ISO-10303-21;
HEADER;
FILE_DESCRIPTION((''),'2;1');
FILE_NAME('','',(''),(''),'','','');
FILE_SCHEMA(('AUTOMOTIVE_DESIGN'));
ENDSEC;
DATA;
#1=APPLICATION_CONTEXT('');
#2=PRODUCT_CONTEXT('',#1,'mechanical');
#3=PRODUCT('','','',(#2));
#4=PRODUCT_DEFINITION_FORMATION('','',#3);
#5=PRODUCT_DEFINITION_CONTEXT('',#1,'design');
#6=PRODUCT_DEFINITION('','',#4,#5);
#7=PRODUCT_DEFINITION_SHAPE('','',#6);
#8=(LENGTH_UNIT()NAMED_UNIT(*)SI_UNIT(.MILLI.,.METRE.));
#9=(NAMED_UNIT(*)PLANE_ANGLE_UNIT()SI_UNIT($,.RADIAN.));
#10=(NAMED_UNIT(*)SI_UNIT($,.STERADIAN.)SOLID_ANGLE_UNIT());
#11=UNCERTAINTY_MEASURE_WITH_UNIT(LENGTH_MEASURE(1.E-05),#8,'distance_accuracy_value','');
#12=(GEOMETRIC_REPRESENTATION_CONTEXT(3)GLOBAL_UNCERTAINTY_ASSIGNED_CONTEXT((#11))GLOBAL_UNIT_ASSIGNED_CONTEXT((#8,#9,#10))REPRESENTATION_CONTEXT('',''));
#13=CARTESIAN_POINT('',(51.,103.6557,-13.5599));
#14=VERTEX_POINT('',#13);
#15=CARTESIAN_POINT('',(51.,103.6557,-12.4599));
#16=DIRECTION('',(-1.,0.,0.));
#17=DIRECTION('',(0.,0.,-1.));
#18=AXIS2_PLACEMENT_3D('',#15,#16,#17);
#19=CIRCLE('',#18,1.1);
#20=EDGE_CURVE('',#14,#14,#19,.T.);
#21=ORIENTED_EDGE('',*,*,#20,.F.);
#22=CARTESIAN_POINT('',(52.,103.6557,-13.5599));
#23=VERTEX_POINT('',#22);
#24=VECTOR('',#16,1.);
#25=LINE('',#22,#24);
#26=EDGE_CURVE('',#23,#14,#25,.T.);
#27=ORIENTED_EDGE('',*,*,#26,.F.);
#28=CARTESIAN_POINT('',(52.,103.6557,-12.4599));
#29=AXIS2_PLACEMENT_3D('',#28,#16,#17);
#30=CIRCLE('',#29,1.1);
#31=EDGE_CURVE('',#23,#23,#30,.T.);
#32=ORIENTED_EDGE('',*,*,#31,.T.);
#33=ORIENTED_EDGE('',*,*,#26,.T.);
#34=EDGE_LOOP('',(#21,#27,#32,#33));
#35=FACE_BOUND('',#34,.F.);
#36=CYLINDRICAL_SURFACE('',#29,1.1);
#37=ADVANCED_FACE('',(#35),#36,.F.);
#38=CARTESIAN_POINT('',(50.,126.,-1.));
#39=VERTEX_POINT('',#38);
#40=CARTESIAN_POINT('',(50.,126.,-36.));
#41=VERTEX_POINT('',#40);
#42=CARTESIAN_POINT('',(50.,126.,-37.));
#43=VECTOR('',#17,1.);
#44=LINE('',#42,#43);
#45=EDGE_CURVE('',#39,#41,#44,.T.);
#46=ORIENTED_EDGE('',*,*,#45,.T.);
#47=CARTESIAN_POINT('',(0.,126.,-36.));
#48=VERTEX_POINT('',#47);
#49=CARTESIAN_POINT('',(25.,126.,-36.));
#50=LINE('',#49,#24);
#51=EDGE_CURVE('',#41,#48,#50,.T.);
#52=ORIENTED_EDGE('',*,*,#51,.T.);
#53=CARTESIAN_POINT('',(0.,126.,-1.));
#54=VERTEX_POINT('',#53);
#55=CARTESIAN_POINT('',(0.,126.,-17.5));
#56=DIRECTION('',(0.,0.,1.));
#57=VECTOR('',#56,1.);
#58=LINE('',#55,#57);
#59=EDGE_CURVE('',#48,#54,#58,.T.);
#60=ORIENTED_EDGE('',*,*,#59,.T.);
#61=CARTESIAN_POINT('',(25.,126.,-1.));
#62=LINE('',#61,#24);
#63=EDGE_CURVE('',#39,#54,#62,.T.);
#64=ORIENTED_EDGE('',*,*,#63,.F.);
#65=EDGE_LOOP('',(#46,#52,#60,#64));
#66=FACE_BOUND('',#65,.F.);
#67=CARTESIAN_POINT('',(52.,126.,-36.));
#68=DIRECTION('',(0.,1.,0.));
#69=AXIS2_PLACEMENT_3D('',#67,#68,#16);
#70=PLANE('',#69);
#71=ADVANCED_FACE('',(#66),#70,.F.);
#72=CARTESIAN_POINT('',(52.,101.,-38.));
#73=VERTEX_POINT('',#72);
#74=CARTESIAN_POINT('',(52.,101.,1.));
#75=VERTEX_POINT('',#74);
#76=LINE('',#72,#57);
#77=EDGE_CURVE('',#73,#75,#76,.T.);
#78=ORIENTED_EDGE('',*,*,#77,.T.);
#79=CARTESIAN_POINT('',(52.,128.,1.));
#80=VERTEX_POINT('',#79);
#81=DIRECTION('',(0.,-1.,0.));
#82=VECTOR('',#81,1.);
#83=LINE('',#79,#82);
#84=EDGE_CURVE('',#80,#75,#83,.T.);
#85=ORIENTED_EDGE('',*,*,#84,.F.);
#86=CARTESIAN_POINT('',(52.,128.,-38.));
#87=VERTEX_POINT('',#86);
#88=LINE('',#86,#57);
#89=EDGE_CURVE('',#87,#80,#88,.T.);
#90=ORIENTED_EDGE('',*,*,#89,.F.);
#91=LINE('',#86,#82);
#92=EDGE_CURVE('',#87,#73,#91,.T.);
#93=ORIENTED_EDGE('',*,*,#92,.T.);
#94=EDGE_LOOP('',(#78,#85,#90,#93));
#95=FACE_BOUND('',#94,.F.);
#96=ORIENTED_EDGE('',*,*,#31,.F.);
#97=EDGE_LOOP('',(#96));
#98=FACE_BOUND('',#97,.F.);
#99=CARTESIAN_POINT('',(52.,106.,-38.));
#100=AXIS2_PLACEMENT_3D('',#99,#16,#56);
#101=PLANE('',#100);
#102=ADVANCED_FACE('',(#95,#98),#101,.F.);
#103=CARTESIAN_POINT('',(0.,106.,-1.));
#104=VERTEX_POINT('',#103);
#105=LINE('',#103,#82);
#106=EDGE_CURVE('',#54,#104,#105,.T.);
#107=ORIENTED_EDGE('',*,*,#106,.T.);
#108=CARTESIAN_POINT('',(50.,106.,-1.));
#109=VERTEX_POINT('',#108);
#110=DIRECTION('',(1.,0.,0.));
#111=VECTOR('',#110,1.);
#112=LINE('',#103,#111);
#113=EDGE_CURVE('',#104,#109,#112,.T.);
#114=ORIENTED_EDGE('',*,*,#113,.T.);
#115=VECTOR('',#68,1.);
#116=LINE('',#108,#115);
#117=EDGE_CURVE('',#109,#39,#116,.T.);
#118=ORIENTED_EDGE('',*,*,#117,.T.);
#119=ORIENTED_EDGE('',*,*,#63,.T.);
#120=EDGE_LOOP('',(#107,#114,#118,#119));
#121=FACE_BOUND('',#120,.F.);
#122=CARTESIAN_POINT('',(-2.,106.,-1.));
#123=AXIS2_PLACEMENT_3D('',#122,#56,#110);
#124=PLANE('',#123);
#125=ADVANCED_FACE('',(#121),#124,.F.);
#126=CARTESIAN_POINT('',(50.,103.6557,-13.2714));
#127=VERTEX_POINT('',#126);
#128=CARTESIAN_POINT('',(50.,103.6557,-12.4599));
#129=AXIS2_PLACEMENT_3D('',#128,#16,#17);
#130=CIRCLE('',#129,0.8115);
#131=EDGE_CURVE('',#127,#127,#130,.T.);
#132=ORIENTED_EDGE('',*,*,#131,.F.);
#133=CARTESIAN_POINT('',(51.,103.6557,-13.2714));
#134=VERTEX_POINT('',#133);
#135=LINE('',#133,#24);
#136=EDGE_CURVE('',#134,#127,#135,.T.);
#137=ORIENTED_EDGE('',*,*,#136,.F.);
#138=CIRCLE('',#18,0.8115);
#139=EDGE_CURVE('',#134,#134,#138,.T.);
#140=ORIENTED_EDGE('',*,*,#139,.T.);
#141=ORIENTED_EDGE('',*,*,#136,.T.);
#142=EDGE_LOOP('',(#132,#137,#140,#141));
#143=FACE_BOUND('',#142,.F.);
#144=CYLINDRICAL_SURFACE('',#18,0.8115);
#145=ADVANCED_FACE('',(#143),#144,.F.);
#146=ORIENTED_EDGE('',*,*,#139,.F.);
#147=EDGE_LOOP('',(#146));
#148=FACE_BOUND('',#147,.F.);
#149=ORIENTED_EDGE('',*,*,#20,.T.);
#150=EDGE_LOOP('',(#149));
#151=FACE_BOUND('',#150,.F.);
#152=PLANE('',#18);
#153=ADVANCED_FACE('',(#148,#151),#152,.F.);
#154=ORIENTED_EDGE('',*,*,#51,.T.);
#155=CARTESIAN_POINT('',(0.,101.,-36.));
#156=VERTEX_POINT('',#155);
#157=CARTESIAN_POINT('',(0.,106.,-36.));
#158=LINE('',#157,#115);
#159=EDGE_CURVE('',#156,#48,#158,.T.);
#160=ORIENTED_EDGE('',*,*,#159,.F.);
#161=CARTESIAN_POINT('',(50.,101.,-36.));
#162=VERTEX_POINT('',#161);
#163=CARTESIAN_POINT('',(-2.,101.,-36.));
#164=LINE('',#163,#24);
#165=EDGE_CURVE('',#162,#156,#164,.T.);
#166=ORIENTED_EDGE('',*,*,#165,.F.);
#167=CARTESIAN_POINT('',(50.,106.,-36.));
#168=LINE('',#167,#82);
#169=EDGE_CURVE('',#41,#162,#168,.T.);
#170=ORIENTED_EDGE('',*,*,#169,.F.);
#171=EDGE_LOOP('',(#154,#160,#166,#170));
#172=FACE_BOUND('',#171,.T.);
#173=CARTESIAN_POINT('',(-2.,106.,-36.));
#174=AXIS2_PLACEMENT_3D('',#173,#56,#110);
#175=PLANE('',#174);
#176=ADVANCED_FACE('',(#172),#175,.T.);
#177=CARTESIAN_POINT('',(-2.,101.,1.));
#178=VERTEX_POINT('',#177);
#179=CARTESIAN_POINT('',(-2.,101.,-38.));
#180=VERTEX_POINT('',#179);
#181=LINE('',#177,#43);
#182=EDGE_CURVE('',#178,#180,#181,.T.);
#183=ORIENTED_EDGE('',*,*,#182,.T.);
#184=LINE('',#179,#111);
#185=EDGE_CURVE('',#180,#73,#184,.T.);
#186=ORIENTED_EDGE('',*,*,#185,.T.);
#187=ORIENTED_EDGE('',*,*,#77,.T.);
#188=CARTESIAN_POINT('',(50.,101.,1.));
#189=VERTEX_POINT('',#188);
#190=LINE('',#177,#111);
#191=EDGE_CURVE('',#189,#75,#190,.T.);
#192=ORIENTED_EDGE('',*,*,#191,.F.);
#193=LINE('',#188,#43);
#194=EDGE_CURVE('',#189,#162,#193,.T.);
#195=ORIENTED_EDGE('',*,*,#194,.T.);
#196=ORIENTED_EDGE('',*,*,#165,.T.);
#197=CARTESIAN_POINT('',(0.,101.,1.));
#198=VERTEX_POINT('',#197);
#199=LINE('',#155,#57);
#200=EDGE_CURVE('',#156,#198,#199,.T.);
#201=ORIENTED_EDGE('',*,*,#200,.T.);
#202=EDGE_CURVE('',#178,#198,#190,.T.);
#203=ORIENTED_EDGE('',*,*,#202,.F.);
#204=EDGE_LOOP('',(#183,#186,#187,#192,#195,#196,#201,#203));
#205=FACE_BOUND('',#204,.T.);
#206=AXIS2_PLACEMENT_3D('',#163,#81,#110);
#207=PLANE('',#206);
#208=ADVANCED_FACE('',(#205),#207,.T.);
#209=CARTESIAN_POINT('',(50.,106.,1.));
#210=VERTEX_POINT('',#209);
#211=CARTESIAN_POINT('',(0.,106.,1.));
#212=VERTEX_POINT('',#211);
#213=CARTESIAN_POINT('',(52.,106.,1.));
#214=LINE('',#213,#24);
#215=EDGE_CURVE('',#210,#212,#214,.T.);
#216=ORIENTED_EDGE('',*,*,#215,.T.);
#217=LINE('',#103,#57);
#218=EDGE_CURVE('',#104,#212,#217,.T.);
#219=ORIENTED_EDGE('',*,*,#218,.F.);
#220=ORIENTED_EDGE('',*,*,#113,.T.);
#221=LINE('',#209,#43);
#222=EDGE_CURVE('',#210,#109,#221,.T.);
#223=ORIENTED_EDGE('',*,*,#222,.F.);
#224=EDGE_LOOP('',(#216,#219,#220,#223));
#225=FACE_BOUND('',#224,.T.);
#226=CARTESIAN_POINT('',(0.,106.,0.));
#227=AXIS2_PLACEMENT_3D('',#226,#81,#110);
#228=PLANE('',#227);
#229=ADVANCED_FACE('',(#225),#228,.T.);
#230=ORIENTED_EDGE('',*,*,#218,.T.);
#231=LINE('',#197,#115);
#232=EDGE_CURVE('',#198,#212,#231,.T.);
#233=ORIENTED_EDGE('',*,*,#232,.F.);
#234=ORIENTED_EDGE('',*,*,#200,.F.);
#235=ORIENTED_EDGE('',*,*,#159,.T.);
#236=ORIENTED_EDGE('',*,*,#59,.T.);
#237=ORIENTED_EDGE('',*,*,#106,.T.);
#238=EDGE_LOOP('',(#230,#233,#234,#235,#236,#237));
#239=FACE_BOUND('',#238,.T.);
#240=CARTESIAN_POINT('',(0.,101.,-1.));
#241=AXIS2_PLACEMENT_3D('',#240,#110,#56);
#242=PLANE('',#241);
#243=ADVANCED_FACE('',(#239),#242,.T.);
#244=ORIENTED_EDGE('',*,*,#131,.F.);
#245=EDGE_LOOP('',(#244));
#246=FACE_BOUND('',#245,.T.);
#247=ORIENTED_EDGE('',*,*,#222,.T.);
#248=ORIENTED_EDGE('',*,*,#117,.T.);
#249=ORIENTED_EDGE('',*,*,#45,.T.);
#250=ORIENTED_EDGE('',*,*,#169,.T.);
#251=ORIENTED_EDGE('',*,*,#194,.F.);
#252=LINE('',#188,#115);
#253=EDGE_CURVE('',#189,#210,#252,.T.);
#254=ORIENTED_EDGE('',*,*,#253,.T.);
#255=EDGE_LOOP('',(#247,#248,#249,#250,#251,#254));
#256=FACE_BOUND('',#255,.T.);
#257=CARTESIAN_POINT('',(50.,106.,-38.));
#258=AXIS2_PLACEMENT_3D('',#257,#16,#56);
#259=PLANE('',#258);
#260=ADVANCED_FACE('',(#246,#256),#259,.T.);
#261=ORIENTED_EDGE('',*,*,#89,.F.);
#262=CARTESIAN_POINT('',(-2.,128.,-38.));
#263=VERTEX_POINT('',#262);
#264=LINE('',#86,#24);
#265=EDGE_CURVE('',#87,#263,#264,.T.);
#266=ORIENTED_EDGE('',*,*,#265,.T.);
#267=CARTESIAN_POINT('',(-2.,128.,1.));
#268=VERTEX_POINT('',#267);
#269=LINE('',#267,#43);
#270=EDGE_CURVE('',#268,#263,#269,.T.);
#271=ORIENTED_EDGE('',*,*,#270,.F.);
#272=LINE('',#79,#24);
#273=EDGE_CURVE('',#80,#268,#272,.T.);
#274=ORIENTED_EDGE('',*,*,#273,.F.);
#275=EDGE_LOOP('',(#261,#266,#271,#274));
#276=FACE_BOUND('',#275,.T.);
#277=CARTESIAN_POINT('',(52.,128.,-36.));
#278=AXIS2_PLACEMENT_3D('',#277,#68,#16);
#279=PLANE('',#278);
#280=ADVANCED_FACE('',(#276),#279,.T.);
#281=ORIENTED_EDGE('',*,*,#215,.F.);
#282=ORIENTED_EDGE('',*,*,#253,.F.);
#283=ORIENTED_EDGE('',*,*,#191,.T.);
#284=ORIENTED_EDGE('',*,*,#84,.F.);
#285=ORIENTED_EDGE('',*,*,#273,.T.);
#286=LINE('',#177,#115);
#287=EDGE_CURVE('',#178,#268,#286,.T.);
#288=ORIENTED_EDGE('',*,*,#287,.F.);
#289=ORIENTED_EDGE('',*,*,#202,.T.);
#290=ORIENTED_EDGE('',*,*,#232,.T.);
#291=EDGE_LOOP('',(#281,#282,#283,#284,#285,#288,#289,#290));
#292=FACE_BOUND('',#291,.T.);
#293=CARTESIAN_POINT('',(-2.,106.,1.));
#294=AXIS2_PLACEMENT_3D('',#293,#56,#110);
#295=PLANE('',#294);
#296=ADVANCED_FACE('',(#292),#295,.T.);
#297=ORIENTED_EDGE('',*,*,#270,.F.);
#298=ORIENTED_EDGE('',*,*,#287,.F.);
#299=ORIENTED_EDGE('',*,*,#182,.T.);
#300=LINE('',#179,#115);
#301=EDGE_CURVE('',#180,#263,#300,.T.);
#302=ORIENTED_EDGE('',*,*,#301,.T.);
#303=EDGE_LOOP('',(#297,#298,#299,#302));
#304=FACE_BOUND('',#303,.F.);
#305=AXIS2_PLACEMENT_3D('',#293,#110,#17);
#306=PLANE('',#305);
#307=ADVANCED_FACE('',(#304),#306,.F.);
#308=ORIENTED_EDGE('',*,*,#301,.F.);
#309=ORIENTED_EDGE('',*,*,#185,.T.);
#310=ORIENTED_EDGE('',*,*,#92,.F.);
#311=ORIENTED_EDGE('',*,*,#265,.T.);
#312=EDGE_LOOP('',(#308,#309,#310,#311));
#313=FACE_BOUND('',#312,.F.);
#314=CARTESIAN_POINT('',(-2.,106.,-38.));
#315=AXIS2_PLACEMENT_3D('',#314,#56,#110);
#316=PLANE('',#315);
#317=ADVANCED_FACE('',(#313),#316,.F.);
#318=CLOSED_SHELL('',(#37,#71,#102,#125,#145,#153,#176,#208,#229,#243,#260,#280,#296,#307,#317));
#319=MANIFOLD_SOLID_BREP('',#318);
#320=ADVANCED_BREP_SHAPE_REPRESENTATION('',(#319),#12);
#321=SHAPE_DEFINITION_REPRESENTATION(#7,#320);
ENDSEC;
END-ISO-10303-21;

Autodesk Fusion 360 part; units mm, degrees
sketch "Sketch3" plane through (0, 106, 0) normal (0, 1, 0) x (-1, 0, 0)
  line L0 (0, -36) -> (0, 15)
  line L1 (0, 15) -> (-50, 15)
  line L2 (-50, 15) -> (-50, -36)
  line L3 (-50, -36) -> (0, -36)
  line L4 (0, -36) -> (-50, -36)
  line L5 (-50, -36) -> (-50, 0)
  line L6 (-50, 0) -> (0, 0)
  line L7 (0, 0) -> (0, -36)
  dimension "d1" = 36
sketch "Sketch1" plane through (0, 106, 0) normal (0, 1, 0) x (-1, 0, 0)
  line L0 (-50, 1) -> (0, 1)
  line L1 (0, 1) -> (0, -36)
  line L2 (0, -36) -> (-50, -36)
  line L3 (-50, -36) -> (-50, 1)
extrude "Extrude1" add sketch "Sketch1" along normal blind 22
extrude "Extrude2" add 1 faces at (50, 113.3333, -23.6667) along direction (1, 0, 0) blind 2
extrude "Extrude3" add 1 faces at (0, 113.3333, -11.3333) along direction (-1, 0, 0) blind 2
extrude "Extrude4" add 1 faces at (16, 113.3333, -36) along direction (0, 0, -1) blind 2
extrude "Extrude5" add 1 faces at (34, 106, -25) along direction (0, -1, 0) blind 5
shell "Shell1" thickness 2 removed faces 1 at (34, 101, -25)
sketch "Sketch2" plane through (0, 101, 0) normal (0, -1, 0) x (1, 0, 0)
  line L0 (50, -36) -> (0, -36)
  line L1 (0, -36) -> (0, -1)
  line L2 (0, -1) -> (50, -1)
  line L3 (50, -1) -> (50, -36)
  line L4 (52, -38) -> (52, 1)
  line L5 (52, 1) -> (-2, 1)
  line L6 (-2, 1) -> (-2, -38)
  line L7 (-2, -38) -> (52, -38)
  line L8 (0, 1) -> (50, 1)
  line L9 (50, 1) -> (50, -1)
  line L10 (50, -1) -> (0, -1)
  line L11 (0, -1) -> (0, 1)
extrude "Extrude6" cut sketch "Sketch2" against normal blind 5 contours L2 L5 L8 L9 L10 L11
hole "Hole1" at (52, 103.6557, -12.4599) direction (-1, 0, 0) diameter 1.623 depth 26 tip angle 118 counterbore diameter 2.2 counterbore depth 1
ref_plane "WorkPlane1" through (25, 114.5, -18.5) normal (1, 0, 0) x (0, 0, -1)
hole "Hole2" [suppressed]
hole "Hole3" [suppressed]
